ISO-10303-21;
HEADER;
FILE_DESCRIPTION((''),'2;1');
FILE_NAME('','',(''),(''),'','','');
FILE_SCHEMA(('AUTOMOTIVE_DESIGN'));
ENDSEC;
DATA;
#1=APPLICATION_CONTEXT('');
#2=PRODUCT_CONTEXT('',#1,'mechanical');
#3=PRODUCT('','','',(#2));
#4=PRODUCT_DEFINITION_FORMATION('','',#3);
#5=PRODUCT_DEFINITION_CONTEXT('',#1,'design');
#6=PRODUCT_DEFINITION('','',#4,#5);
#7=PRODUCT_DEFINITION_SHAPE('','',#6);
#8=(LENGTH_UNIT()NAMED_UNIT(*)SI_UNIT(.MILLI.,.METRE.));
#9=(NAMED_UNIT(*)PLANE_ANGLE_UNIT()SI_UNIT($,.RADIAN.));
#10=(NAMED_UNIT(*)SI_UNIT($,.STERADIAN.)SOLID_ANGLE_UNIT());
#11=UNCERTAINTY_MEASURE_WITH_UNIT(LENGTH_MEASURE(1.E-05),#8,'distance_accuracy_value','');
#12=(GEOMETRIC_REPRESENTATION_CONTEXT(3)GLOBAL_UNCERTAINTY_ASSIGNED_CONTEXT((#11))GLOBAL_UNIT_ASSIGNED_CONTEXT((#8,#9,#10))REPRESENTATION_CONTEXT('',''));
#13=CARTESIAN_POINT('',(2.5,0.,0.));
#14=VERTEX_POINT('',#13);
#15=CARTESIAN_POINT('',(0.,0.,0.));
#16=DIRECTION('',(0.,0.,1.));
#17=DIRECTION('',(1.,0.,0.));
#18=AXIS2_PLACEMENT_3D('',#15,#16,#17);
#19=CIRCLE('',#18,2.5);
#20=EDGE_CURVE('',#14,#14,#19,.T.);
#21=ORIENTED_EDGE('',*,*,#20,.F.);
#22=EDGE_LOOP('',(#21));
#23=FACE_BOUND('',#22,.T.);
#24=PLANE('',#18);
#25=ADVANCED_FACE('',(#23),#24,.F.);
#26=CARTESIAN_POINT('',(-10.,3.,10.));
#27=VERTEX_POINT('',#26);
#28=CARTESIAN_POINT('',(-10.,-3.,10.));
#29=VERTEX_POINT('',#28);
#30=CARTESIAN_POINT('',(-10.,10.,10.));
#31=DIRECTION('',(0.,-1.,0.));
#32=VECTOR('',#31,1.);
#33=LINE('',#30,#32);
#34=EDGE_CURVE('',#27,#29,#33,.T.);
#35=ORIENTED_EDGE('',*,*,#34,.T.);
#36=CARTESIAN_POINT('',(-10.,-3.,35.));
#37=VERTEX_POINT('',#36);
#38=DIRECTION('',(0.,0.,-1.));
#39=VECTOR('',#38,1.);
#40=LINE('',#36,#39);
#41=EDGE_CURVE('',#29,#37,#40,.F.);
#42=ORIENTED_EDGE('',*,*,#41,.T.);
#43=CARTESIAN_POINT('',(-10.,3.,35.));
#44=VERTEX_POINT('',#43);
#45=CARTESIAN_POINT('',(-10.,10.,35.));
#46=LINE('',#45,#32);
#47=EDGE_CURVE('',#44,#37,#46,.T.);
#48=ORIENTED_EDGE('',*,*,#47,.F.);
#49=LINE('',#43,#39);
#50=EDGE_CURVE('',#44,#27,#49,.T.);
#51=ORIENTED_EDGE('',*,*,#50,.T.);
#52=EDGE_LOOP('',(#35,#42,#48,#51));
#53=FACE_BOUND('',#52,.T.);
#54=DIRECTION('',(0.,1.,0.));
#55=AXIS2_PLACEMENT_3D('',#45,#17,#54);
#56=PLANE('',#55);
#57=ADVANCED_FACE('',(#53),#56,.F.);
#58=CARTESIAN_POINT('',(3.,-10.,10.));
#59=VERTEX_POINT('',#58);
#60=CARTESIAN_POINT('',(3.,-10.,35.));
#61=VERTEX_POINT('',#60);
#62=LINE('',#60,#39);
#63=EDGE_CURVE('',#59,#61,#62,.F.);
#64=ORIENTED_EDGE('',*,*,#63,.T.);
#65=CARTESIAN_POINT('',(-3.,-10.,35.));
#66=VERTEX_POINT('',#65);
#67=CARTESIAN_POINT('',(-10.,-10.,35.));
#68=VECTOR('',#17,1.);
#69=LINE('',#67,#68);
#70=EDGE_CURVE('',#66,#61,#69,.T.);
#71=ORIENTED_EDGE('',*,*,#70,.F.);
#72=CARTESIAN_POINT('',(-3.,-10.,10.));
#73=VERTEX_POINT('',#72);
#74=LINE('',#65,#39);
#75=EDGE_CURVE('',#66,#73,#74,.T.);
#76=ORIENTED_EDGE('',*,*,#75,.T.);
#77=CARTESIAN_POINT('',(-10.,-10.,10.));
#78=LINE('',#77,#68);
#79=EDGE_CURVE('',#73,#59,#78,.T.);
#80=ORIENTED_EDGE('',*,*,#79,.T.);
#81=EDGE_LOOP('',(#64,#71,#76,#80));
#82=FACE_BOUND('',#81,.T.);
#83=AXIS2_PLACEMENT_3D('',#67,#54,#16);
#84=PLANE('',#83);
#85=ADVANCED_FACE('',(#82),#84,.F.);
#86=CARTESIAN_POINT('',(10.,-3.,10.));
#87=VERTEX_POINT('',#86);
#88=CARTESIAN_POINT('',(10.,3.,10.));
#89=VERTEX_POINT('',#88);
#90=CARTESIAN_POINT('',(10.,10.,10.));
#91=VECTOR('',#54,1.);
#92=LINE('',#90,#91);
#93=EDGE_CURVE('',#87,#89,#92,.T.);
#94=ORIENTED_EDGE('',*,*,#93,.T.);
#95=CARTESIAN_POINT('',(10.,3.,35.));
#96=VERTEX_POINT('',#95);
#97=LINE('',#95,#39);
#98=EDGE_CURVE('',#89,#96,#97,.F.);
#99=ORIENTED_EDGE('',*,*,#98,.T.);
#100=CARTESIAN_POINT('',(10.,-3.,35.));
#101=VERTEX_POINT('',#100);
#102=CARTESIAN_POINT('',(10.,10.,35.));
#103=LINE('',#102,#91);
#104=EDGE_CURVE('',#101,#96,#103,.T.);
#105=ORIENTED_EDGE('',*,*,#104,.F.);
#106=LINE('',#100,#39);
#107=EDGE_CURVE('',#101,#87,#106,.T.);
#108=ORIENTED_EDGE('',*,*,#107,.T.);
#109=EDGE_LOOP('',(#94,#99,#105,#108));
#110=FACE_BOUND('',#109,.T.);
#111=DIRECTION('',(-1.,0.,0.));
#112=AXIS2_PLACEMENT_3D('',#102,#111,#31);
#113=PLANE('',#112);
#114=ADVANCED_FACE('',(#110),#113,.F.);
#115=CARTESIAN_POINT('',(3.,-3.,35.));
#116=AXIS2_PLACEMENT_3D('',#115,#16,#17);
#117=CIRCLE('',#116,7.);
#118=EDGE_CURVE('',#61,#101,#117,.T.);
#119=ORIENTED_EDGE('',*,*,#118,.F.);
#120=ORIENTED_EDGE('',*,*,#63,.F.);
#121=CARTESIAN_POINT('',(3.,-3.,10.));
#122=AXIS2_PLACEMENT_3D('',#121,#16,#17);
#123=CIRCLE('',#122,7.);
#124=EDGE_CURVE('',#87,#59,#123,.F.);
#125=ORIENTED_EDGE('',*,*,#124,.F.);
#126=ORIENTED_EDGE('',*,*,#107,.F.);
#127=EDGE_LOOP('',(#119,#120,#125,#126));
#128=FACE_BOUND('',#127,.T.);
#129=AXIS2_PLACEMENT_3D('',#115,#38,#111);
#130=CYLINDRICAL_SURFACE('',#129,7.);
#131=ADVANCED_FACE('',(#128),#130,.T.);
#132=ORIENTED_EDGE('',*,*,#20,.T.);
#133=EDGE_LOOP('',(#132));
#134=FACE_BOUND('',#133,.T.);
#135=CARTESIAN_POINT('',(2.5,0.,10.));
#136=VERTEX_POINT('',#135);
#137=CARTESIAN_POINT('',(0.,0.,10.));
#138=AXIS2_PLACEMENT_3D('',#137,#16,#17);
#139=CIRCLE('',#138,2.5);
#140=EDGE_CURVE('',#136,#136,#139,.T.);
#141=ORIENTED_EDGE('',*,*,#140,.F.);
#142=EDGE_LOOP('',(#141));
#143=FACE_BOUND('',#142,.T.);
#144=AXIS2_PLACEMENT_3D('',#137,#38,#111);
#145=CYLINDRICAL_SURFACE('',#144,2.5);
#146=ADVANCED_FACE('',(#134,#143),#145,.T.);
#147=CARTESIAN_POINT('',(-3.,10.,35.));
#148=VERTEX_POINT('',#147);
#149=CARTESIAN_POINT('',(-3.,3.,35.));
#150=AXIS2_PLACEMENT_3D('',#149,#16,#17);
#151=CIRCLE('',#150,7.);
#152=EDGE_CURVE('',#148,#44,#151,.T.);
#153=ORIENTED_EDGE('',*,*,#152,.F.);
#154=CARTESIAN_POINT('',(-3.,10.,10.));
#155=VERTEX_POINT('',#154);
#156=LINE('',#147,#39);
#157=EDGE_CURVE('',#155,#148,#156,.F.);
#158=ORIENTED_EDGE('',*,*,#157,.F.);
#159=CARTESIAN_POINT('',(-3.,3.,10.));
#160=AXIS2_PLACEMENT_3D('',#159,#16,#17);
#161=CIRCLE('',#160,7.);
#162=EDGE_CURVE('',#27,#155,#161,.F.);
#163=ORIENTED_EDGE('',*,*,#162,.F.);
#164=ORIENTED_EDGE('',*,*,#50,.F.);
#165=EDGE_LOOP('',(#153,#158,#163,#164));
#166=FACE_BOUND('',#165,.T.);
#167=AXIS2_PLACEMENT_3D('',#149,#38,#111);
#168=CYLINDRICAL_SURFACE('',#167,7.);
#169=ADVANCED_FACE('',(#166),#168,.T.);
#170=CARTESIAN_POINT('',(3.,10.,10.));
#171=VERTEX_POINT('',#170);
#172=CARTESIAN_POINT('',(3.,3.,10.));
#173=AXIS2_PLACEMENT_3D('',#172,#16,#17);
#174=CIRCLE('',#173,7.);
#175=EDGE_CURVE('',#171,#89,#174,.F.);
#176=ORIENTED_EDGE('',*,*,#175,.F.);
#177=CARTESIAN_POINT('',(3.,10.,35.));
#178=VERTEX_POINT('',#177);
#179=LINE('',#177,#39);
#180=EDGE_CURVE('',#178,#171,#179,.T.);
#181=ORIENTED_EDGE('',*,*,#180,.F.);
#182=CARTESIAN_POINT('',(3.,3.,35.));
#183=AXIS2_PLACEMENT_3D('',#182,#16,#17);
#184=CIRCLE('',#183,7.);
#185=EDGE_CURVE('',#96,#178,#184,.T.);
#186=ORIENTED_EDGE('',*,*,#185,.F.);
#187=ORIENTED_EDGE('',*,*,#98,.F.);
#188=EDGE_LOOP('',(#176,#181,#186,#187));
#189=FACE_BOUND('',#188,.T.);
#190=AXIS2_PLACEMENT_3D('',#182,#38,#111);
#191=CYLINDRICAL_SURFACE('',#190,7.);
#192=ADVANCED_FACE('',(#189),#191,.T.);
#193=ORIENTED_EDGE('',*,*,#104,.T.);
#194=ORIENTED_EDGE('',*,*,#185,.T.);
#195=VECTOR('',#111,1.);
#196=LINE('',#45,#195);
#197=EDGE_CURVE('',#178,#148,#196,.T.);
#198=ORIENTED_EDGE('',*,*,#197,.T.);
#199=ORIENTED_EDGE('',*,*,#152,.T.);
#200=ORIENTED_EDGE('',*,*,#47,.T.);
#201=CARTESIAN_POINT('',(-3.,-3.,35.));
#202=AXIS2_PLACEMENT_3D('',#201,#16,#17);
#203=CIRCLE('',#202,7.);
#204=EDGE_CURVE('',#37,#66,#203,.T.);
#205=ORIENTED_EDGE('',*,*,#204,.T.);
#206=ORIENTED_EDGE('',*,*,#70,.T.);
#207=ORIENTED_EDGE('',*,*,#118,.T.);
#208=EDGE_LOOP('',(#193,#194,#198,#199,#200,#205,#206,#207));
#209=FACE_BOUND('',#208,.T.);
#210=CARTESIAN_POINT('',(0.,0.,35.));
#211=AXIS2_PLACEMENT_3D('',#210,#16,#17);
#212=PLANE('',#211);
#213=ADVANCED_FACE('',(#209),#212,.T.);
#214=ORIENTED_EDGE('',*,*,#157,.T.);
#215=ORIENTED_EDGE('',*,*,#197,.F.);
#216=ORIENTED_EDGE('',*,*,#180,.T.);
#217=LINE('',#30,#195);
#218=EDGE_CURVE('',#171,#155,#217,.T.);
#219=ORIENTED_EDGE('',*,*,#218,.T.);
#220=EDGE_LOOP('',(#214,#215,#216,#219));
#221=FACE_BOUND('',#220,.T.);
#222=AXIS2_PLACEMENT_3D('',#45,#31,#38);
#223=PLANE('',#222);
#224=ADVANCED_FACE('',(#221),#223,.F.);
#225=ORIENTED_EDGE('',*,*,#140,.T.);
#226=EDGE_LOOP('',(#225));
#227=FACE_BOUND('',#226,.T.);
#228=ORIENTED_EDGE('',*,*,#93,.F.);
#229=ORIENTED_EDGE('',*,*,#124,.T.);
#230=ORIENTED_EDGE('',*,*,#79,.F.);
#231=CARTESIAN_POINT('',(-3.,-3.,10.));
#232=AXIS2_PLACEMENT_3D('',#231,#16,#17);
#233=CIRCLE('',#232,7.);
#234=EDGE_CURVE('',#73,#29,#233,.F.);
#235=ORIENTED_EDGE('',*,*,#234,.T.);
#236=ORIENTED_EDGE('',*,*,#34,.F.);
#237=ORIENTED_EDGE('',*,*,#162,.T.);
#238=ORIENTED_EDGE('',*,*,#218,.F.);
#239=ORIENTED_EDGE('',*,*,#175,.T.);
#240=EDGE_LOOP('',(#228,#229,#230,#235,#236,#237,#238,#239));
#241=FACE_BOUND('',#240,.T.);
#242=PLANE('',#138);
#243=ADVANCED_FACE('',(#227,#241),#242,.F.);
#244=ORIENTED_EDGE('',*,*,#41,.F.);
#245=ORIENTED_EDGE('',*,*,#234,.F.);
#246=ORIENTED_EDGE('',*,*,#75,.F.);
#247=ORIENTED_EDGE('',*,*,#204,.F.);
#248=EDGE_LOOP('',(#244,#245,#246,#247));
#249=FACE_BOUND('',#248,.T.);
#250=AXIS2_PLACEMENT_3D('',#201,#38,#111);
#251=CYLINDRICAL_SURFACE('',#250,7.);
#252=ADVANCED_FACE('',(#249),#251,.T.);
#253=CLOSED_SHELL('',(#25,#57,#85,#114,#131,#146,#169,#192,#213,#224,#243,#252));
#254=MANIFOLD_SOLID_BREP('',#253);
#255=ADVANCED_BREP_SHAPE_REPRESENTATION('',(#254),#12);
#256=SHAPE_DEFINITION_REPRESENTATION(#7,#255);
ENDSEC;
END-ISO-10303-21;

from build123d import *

# Parameters (mm, degrees)
SKETCH1_R           = 2.5
BOSS_EXTRUDE1_DEPTH = 10
SKETCH2_W           = 20
SKETCH2_H           = 20
BOSS_EXTRUDE2_DEPTH = 25
FILLET1_R           = 7


with BuildPart() as part:
    # Sketch1 → Boss-Extrude1 (new body)
    with BuildSketch(Plane.XY):
        Circle(SKETCH1_R)
    extrude(amount=BOSS_EXTRUDE1_DEPTH)

    # Sketch2 → Boss-Extrude2 (add)
    with BuildSketch(Plane.XY.offset(10)):
        Rectangle(SKETCH2_W, SKETCH2_H)
    extrude(amount=BOSS_EXTRUDE2_DEPTH)

    # Fillet1
    fillet1_edges = [part.edges().sort_by_distance(p)[0] for p in [
        (10, -10, 22.5),
        (10, 10, 22.5),
        (-10, 10, 22.5),
        (-10, -10, 22.5),
    ]]
    fillet(fillet1_edges, radius=FILLET1_R)


solid = part.part
